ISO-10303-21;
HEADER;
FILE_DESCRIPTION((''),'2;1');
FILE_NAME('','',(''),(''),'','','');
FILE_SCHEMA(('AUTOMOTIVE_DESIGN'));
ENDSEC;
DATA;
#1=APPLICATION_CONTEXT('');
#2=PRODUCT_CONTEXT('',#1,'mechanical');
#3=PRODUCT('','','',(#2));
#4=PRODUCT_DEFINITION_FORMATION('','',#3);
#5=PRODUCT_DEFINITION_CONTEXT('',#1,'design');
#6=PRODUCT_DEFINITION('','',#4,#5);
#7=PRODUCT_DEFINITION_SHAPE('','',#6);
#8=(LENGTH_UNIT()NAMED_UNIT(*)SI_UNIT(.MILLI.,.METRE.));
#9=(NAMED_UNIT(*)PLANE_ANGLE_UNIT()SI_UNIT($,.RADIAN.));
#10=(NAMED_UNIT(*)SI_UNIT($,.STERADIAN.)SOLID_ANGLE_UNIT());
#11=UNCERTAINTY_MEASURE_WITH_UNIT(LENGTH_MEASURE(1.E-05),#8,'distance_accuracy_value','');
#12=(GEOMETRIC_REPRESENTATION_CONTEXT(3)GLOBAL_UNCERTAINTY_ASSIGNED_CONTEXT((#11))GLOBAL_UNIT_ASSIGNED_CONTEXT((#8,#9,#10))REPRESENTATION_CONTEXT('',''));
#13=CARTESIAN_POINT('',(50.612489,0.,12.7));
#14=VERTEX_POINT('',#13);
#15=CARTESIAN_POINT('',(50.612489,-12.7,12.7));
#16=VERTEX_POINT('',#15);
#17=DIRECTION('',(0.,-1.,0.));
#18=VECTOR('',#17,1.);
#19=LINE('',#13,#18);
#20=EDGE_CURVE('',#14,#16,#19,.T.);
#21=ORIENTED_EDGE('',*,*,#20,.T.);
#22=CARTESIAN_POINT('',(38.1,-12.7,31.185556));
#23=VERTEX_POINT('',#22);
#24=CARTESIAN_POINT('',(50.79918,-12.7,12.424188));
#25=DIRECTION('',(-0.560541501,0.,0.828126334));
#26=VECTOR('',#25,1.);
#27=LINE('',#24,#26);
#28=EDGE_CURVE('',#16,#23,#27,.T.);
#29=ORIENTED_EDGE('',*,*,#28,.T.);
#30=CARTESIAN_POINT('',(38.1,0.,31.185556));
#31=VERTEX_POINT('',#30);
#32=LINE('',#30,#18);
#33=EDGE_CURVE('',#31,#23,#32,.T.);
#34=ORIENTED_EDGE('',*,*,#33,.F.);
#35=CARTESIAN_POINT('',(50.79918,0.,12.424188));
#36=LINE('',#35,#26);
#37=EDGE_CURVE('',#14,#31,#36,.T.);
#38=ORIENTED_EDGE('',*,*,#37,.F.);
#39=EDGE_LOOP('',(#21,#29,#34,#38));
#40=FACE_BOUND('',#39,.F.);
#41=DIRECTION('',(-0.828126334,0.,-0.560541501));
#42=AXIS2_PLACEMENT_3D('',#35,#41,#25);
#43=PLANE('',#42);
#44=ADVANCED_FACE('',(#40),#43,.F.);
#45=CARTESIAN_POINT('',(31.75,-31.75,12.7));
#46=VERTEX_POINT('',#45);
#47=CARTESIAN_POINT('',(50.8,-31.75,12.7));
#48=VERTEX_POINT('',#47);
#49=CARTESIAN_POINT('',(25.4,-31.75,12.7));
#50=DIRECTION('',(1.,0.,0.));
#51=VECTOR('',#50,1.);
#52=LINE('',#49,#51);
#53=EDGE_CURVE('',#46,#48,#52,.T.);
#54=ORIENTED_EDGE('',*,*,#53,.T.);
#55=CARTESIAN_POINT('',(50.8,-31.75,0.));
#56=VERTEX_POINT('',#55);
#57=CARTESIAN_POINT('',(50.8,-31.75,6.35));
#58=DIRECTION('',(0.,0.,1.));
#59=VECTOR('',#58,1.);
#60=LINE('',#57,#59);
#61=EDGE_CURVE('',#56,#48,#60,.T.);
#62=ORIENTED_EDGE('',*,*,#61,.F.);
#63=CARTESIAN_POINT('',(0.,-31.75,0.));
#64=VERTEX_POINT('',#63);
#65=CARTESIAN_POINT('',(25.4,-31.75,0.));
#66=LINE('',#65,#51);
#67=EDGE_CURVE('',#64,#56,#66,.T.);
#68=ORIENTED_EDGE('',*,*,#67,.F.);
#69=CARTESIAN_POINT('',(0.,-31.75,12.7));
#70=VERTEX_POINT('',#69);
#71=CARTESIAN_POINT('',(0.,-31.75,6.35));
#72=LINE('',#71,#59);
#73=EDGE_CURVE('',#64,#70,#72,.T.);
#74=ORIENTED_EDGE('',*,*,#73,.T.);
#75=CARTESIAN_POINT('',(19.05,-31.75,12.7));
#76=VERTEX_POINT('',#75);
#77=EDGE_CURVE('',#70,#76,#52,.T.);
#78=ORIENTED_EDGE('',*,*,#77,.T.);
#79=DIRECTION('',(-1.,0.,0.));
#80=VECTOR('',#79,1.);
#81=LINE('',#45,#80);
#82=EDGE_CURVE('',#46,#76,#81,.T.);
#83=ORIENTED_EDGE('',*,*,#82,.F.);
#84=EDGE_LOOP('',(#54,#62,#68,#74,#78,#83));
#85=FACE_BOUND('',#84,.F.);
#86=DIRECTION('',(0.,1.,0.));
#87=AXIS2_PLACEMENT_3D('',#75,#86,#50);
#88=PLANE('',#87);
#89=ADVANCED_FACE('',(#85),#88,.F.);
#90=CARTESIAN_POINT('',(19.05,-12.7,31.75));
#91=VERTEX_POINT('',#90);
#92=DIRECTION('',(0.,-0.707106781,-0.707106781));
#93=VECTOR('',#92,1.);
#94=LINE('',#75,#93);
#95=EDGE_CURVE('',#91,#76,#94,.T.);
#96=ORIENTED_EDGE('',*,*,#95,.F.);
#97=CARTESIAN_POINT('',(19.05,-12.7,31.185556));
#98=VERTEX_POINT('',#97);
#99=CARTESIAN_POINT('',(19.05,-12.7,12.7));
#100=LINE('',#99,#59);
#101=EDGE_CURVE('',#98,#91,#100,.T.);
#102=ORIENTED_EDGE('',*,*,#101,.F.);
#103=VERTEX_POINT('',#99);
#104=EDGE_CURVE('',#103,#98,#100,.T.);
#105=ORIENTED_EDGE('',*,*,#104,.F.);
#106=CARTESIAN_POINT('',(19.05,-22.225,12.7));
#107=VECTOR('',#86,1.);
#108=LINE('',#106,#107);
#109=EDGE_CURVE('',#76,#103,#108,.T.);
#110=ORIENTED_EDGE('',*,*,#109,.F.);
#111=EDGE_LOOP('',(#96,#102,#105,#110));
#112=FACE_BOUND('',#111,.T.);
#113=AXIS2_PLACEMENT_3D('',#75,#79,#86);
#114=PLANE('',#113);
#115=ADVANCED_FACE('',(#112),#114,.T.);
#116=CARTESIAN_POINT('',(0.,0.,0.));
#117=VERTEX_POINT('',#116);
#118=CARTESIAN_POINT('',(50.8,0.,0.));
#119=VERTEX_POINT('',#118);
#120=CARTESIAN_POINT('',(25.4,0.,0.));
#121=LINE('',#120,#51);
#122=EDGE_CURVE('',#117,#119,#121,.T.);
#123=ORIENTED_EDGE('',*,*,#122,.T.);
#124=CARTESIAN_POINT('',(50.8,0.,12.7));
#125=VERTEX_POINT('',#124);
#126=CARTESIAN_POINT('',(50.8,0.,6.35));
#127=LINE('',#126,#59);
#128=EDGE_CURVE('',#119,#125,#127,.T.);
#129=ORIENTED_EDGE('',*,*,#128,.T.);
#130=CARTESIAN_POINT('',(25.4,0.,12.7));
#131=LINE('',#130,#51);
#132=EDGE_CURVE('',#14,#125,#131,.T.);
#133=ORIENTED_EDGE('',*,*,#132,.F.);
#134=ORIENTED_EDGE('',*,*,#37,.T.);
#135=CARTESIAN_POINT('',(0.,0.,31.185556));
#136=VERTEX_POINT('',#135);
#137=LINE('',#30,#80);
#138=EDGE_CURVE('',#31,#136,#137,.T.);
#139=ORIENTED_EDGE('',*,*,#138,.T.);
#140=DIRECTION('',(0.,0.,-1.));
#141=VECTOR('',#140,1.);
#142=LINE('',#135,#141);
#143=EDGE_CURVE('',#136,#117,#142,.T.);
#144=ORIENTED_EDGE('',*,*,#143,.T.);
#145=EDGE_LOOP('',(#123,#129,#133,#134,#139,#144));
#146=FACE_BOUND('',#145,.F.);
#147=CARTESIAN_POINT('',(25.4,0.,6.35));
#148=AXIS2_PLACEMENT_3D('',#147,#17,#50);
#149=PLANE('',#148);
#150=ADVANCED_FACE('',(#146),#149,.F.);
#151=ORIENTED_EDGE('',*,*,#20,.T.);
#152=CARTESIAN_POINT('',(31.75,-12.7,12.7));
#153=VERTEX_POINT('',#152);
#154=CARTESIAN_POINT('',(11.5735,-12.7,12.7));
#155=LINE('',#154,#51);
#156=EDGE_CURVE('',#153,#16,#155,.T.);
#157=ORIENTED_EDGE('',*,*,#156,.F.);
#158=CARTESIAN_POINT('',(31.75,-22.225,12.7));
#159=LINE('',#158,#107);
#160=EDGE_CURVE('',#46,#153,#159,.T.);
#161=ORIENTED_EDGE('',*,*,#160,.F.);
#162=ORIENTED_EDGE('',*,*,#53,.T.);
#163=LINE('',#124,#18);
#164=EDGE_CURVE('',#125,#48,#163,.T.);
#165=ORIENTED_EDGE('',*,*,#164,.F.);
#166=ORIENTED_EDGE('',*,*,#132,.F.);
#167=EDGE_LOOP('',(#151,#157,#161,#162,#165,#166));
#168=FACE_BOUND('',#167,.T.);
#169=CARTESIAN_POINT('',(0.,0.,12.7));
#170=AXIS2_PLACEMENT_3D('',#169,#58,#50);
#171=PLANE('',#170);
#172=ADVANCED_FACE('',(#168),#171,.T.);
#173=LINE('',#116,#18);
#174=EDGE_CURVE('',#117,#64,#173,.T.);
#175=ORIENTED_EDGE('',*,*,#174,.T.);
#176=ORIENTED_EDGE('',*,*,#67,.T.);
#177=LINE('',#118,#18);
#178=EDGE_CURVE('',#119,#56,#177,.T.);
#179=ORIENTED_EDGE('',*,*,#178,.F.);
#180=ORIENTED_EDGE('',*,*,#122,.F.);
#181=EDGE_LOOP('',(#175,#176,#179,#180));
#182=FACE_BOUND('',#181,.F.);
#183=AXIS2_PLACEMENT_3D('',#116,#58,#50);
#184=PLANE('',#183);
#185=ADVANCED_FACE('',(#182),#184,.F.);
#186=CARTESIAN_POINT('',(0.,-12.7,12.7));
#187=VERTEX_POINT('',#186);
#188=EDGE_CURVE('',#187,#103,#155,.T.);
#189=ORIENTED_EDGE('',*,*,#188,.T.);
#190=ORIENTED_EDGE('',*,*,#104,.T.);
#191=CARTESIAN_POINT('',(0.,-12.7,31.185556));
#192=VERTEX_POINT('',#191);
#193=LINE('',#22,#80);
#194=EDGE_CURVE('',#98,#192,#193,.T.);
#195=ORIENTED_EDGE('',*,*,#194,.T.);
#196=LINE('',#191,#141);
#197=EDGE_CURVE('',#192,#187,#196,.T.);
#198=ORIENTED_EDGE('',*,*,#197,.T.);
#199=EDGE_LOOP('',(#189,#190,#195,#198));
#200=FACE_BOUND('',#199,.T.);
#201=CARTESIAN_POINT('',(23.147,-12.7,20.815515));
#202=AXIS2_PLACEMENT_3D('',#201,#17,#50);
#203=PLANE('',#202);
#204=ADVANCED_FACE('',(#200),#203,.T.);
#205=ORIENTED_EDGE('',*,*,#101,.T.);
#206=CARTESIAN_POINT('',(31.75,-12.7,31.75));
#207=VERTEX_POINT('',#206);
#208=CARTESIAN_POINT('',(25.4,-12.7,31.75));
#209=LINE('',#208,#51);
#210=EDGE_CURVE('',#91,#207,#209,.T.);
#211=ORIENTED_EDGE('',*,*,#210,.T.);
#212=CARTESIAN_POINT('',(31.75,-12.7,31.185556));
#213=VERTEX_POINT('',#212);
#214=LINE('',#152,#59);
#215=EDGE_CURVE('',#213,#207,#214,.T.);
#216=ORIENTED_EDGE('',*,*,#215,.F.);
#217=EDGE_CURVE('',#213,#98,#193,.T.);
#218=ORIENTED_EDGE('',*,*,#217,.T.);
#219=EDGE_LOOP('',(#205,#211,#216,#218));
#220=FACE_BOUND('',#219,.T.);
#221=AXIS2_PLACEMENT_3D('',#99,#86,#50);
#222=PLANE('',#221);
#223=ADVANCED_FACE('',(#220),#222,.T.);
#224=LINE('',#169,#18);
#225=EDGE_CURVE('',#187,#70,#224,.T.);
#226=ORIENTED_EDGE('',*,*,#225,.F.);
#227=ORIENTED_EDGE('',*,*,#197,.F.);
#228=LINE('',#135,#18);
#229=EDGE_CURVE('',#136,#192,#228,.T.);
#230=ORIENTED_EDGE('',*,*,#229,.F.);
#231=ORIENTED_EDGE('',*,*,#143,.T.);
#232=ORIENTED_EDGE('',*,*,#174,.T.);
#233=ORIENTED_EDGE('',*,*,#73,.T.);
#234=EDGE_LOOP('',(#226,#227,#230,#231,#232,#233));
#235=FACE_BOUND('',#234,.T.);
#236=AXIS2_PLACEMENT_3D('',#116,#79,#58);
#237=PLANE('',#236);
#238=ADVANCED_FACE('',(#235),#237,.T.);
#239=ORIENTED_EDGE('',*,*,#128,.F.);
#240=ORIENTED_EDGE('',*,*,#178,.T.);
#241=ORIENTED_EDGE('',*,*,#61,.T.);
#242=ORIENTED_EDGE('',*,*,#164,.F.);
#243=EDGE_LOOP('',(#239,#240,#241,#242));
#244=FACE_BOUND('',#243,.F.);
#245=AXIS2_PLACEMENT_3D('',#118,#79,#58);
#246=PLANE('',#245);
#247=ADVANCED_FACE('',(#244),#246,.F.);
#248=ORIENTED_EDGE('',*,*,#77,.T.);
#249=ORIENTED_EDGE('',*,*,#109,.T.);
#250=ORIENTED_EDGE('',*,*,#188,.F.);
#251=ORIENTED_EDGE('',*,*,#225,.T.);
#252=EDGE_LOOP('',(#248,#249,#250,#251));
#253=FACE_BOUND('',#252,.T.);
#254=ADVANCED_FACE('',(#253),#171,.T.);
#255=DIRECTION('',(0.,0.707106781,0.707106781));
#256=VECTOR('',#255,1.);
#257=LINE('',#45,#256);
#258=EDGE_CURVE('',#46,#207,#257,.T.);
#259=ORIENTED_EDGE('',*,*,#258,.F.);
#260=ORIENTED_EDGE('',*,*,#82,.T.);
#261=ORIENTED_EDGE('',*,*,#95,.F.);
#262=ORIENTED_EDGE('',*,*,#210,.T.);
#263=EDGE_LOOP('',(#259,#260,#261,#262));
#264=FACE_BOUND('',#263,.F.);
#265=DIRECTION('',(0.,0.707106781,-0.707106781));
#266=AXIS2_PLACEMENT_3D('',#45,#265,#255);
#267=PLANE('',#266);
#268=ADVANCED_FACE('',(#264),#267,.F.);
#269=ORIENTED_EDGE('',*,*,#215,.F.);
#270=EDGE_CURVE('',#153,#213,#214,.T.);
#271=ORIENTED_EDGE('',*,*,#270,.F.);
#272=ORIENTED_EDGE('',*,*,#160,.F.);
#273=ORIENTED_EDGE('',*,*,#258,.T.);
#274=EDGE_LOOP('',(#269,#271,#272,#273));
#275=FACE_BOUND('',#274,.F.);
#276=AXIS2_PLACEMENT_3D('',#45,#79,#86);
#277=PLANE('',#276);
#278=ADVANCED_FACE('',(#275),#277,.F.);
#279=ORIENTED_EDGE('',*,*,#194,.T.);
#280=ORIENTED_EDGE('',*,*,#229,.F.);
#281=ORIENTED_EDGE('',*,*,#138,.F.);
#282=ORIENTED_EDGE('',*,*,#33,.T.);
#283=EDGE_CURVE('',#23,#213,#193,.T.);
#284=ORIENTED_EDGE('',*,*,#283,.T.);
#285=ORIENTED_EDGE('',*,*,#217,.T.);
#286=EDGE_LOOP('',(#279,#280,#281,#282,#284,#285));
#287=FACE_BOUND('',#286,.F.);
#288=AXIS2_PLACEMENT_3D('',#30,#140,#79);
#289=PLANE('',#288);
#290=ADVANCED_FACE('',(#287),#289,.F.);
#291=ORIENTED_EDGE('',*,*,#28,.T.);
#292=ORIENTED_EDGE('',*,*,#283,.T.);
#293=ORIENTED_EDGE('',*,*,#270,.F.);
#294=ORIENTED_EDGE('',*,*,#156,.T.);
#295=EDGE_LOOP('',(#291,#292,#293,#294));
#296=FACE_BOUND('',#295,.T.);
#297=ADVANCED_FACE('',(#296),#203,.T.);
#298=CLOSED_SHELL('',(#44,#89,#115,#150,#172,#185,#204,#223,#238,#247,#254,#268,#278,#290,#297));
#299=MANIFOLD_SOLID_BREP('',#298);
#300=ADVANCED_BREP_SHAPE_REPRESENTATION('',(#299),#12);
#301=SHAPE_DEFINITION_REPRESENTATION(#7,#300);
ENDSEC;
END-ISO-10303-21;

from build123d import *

# Parameters (mm, degrees)
F0_W     = 50.8
F0_H     = 12.7
F1_DEPTH = 31.75
F3_DEPTH = 12.7
F4_W     = 12.7
F4_H     = 19.05
F5_DEPTH = 19.05
F6_DEPTH = 19.05
F8_DEPTH = 50.8


with BuildPart() as f1:
    # F0 (on Front) → F1 (new body)
    with BuildSketch(Plane.XZ):
        with Locations((25.4, 6.35)):
            Rectangle(F0_W, F0_H)
    extrude(amount=F1_DEPTH)

    # F2 (on Front) → F3 (join)
    with BuildSketch(Plane.XZ):
        Polygon((0, 12.135556), (50.79918, 12.424188), (38.1, 31.185556), (0, 31.185556), align=None)
    extrude(amount=F3_DEPTH)

    # F4 (on face) → F5 (join)
    with BuildSketch(Plane.XY.offset(12.7)):
        with Locations((25.4, -22.225)):
            Rectangle(F4_W, F4_H)
    extrude(amount=F5_DEPTH)

    # F4 (on face) → F6 (join)
    with BuildSketch(Plane.XY.offset(12.7)):
        with Locations((25.4, -22.225)):
            Rectangle(F4_W, F4_H)
    extrude(amount=F6_DEPTH)

    # F7 (on face) → F8 (cut)
    with BuildSketch(Plane.YZ.offset(31.75)):
        Polygon((-31.75, 12.7), (-12.7, 31.75), (-31.75, 31.75), align=None)
    extrude(amount=-F8_DEPTH, mode=Mode.SUBTRACT)


solid = f1.part
